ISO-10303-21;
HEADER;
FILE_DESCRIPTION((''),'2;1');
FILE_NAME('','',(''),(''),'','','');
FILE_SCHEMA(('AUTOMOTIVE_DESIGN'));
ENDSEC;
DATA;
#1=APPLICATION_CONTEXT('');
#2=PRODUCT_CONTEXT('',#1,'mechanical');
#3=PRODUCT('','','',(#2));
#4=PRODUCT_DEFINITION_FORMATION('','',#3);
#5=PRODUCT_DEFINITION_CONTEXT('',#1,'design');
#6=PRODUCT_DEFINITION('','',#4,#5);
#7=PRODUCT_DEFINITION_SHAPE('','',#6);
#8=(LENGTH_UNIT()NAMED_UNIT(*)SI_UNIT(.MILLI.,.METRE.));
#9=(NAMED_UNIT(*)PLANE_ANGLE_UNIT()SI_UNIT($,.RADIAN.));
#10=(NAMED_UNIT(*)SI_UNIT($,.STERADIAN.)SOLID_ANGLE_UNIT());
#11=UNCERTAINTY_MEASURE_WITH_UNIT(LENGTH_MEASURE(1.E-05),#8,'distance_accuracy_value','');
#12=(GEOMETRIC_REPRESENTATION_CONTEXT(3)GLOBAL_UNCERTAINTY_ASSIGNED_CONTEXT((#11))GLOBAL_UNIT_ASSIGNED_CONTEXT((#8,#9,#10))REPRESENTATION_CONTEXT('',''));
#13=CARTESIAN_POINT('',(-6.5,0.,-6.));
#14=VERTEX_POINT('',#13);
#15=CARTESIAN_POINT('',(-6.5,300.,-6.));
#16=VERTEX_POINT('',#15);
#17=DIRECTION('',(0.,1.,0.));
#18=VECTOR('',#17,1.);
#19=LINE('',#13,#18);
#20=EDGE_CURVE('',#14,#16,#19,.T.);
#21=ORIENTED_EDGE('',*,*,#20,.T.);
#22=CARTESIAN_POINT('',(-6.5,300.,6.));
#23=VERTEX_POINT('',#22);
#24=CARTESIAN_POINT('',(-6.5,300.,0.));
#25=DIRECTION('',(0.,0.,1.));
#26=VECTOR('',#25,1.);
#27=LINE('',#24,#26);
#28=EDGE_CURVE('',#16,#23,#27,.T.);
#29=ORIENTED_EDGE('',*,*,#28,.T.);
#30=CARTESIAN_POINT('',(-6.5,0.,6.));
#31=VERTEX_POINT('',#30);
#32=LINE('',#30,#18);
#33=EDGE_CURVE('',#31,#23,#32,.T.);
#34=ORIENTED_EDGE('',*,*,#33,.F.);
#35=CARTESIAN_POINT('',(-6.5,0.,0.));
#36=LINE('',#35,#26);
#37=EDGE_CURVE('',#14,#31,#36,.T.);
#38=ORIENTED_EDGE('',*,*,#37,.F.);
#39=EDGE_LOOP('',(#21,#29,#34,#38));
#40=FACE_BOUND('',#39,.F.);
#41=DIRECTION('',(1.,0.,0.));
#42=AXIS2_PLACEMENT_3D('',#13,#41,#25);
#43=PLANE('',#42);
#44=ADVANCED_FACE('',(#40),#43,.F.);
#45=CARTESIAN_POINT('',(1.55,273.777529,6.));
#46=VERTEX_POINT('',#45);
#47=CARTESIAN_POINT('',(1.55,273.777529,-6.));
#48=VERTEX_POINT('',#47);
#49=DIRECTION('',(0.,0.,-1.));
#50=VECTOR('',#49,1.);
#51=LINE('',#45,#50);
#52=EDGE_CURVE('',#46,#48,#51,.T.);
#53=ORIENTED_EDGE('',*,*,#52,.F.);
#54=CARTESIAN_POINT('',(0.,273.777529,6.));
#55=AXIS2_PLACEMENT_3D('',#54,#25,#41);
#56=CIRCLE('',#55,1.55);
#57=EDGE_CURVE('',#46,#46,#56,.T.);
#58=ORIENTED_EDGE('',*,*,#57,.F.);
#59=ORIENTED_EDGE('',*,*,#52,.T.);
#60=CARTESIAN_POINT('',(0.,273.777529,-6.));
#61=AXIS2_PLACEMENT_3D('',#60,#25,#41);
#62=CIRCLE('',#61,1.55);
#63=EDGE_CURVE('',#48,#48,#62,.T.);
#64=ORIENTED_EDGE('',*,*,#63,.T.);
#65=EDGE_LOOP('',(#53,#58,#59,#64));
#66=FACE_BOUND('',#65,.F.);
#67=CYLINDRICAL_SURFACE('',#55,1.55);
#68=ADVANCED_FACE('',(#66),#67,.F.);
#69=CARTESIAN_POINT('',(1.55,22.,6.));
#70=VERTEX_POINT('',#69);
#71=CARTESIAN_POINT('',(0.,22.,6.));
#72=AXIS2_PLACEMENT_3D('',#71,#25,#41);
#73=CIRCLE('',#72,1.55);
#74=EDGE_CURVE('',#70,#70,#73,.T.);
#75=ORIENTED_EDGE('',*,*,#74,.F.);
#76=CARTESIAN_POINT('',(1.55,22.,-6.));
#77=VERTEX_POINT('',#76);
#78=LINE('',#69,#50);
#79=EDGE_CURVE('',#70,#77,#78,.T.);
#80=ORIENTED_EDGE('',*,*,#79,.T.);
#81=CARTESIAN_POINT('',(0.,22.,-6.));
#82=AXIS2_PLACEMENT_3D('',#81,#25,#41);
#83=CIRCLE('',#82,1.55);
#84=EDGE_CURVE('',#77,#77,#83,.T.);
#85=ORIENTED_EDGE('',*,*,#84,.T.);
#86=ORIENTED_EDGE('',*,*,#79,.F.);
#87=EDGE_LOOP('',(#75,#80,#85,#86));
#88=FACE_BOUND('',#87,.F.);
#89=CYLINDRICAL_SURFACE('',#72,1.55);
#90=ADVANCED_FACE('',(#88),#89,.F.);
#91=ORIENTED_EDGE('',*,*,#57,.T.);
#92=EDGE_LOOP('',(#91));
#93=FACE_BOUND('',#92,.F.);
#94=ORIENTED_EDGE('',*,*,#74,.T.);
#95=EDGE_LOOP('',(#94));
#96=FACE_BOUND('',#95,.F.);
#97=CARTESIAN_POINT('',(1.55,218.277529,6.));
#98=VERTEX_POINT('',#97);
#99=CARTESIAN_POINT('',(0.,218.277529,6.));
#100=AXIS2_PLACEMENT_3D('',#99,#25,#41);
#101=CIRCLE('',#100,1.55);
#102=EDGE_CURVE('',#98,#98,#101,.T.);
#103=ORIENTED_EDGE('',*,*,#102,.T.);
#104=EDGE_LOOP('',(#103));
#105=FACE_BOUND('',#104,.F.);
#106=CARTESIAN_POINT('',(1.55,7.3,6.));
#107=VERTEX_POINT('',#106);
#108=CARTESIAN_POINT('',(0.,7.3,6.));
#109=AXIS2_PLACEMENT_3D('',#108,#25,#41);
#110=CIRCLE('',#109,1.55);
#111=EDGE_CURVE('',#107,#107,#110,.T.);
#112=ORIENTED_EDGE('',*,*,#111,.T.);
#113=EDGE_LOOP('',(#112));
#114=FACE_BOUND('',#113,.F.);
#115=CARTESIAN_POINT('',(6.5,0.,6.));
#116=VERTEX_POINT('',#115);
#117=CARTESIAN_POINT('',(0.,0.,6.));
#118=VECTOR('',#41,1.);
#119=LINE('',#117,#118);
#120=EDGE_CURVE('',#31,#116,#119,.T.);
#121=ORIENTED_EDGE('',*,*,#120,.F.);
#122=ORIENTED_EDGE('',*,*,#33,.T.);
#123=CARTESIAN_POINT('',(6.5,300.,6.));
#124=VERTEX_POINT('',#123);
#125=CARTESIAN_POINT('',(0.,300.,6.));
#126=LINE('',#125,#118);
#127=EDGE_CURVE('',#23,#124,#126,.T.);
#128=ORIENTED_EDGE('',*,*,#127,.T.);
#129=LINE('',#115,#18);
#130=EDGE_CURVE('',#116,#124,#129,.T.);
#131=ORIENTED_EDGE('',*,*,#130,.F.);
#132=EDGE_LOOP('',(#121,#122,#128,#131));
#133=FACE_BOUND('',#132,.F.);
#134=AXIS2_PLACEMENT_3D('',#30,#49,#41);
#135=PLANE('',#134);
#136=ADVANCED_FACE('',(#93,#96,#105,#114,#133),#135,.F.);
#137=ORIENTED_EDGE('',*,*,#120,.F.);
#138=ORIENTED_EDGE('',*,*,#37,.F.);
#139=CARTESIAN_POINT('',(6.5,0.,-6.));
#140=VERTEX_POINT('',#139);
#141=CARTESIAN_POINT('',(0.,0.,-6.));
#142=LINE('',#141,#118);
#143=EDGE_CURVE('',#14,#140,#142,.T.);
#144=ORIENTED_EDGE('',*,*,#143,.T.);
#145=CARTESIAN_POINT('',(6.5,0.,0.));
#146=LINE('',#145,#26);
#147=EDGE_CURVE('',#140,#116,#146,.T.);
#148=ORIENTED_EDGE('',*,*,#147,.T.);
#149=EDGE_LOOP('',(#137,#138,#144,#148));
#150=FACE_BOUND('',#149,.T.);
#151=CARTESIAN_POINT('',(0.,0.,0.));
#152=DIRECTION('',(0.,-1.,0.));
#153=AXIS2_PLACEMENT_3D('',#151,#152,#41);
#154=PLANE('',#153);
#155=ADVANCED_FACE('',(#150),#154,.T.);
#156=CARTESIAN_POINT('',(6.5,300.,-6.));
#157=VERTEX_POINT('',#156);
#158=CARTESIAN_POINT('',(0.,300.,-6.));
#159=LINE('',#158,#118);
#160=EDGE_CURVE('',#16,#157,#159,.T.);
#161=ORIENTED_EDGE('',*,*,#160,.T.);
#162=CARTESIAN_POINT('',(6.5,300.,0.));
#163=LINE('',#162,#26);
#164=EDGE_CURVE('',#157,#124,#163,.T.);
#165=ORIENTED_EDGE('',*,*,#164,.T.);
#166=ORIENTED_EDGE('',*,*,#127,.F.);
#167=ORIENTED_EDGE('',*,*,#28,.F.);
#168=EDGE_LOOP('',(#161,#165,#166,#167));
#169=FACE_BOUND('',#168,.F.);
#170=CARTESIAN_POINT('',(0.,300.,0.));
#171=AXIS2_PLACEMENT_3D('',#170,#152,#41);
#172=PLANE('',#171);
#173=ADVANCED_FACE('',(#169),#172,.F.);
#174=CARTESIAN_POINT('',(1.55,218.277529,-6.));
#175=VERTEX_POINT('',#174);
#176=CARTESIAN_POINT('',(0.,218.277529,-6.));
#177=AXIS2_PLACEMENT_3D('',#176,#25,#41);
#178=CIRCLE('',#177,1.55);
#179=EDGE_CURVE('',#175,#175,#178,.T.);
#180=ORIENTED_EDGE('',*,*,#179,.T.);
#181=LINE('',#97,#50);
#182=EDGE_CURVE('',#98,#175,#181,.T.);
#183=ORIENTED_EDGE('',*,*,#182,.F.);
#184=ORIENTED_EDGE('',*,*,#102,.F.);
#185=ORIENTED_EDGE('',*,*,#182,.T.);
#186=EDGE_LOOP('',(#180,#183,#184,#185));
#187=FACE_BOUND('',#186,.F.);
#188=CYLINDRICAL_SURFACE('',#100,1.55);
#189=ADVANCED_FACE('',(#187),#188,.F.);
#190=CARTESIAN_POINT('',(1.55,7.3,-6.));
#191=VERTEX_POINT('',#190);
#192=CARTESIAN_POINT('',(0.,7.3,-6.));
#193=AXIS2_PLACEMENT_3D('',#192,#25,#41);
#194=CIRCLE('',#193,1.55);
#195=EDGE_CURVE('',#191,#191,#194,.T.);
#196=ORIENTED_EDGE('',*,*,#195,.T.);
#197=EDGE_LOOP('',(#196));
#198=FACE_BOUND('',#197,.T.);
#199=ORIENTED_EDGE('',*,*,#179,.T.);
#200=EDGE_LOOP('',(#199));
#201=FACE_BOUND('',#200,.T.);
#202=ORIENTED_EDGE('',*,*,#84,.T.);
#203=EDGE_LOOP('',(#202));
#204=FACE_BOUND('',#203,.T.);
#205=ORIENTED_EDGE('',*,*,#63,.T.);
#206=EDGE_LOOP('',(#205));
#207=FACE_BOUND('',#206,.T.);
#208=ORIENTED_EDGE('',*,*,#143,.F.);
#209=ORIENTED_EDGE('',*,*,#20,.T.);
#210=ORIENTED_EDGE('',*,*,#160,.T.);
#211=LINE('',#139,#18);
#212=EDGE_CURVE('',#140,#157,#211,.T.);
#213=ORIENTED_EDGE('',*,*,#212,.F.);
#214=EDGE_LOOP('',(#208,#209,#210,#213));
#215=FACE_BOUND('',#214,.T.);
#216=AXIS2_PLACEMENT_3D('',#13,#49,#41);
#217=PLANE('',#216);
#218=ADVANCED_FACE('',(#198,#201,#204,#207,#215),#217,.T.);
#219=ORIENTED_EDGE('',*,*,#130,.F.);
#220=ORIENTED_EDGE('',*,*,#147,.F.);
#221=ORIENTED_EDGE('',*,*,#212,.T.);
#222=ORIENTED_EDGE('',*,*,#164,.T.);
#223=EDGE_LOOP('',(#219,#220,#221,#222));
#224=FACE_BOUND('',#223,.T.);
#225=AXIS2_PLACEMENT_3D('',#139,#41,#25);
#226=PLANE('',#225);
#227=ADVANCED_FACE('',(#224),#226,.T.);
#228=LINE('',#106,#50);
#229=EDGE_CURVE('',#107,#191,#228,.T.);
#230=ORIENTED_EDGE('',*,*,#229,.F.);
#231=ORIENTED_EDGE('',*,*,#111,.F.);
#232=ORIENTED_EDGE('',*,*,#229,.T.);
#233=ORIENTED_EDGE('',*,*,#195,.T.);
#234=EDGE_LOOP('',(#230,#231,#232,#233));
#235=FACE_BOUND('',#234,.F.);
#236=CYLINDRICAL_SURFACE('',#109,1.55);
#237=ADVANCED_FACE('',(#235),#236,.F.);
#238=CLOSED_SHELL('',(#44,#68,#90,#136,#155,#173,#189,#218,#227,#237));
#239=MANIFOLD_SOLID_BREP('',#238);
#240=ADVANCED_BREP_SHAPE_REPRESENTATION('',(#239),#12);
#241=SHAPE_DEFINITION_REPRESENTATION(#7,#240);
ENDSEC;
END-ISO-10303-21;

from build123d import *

# Parameters (mm, degrees)
F0_W     = 13
F0_H     = 12
F1_DEPTH = 300
F2_R     = 1.55
F3_DEPTH = 12.001
F4_R     = 1.55
F5_DEPTH = 25


with BuildPart() as f1:
    # F0 (on Front) → F1 (new body)
    with BuildSketch(Plane.XZ):
        Rectangle(F0_W, F0_H)
    extrude(amount=-F1_DEPTH)

    # F2 (on face) → F3 (cut, through all)
    with BuildSketch(Plane.XY.offset(6)):
        with Locations((0, 7.3)):
            Circle(F2_R)
        with Locations((0, 22)):
            Circle(F2_R)
    extrude(amount=-F3_DEPTH, mode=Mode.SUBTRACT)

    # F4 (on face) → F5 (cut)
    with BuildSketch(Plane.XY.offset(6)):
        with Locations((0, 273.777529)):
            Circle(F4_R)
        with Locations((0, 218.277529)):
            Circle(F4_R)
    extrude(amount=-F5_DEPTH, mode=Mode.SUBTRACT)


solid = f1.part
